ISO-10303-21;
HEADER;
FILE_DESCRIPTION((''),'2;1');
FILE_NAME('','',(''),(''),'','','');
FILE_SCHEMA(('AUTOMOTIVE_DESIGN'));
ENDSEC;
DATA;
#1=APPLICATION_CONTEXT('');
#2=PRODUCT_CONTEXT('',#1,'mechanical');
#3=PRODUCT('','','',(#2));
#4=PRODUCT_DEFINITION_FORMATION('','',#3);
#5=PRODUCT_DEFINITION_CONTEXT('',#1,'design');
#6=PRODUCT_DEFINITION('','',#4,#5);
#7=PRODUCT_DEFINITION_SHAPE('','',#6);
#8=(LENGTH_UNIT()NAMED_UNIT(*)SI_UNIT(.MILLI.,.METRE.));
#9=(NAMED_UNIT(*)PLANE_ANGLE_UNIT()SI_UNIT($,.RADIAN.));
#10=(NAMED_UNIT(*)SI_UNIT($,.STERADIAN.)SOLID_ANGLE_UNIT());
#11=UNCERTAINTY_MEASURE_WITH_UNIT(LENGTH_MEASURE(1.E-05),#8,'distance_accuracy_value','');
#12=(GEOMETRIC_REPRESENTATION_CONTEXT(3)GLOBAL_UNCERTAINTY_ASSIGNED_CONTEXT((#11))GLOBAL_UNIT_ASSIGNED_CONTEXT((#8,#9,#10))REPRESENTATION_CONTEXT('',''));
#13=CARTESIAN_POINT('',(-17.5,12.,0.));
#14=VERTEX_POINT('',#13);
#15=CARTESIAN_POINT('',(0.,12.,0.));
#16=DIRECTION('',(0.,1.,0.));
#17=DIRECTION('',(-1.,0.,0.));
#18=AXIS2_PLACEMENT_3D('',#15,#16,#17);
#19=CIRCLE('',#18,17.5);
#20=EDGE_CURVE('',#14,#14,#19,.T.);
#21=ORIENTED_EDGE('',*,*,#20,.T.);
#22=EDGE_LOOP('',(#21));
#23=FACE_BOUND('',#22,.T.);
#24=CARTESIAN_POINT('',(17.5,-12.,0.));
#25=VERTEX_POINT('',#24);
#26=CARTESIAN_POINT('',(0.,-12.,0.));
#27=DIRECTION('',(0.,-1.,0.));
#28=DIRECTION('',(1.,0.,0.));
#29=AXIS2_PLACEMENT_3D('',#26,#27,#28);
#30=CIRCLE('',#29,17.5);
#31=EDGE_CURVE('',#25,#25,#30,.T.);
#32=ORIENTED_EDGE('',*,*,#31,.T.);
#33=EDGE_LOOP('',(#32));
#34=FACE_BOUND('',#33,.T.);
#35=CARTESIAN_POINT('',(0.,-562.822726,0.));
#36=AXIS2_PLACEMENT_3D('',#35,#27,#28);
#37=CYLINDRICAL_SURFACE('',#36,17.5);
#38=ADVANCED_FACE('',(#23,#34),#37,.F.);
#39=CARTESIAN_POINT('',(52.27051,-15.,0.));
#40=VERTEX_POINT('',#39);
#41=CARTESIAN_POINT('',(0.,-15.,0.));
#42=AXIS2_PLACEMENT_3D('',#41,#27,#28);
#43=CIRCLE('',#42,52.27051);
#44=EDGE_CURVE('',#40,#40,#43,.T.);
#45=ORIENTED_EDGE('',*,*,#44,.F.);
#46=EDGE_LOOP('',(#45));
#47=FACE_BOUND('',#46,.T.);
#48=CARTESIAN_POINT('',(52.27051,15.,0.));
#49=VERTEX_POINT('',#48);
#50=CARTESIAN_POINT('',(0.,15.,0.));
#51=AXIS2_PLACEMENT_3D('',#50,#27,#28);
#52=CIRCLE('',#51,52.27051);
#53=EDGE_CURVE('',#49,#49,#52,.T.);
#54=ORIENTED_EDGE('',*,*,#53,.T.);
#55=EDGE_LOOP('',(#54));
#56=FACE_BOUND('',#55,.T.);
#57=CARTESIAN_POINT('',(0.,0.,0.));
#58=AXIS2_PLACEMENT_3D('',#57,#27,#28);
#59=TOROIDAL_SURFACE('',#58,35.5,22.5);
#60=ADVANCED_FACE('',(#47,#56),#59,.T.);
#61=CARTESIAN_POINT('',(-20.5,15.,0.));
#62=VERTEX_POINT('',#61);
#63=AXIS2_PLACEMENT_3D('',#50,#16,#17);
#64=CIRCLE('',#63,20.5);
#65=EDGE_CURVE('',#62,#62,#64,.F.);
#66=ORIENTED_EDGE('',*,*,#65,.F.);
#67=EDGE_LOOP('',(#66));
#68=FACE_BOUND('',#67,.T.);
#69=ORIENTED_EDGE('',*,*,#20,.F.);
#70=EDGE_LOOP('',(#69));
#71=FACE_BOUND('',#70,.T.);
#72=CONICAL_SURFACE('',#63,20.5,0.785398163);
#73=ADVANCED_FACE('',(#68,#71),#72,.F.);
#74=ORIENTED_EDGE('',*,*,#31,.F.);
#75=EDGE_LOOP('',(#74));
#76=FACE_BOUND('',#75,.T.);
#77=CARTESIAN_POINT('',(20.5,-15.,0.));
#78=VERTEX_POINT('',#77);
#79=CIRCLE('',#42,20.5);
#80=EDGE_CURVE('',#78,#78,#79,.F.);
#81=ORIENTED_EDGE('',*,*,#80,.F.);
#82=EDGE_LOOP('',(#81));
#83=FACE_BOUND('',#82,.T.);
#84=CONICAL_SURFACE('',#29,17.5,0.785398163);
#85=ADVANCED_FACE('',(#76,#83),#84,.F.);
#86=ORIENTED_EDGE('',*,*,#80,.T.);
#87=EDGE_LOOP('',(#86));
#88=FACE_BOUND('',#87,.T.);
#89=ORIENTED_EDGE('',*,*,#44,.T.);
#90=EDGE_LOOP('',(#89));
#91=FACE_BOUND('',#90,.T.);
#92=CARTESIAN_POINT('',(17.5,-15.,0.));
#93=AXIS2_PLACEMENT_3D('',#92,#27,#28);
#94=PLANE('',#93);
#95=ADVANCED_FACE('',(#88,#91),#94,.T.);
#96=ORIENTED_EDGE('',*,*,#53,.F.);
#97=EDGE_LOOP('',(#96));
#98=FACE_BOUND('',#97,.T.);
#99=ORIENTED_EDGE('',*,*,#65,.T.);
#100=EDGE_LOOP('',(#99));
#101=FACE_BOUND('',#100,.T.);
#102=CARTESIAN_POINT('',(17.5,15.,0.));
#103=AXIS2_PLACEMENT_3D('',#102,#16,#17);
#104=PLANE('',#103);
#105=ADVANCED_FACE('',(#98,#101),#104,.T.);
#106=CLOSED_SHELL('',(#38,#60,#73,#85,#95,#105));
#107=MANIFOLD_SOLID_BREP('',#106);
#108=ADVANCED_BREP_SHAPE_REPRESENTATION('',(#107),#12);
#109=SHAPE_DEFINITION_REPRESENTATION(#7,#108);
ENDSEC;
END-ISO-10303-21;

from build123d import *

# Parameters (mm, degrees)
CHAMFER1_SIZE = 3


with BuildPart() as part:
    # Sketch1 → Revolve1 (revolve)
    with BuildSketch(Plane.XY):
        with BuildLine():
            Line((17.5, 15), (17.5, -15))
            Line((17.5, -15), (52.270509831, -15))
            ThreePointArc((52.270509831, -15), (58, 0), (52.270509831, 15))
            Line((52.270509831, 15), (17.5, 15))
        make_face()
    revolve(axis=Axis((0, -562.822725834, 0), (0, 1, 0)))

    # Chamfer1
    chamfer1_edges = [part.edges().sort_by_distance(p)[0] for p in [
        (-17.5, 15, 0),
        (-17.5, -15, 0),
    ]]
    chamfer(chamfer1_edges, length=CHAMFER1_SIZE)


solid = part.part
